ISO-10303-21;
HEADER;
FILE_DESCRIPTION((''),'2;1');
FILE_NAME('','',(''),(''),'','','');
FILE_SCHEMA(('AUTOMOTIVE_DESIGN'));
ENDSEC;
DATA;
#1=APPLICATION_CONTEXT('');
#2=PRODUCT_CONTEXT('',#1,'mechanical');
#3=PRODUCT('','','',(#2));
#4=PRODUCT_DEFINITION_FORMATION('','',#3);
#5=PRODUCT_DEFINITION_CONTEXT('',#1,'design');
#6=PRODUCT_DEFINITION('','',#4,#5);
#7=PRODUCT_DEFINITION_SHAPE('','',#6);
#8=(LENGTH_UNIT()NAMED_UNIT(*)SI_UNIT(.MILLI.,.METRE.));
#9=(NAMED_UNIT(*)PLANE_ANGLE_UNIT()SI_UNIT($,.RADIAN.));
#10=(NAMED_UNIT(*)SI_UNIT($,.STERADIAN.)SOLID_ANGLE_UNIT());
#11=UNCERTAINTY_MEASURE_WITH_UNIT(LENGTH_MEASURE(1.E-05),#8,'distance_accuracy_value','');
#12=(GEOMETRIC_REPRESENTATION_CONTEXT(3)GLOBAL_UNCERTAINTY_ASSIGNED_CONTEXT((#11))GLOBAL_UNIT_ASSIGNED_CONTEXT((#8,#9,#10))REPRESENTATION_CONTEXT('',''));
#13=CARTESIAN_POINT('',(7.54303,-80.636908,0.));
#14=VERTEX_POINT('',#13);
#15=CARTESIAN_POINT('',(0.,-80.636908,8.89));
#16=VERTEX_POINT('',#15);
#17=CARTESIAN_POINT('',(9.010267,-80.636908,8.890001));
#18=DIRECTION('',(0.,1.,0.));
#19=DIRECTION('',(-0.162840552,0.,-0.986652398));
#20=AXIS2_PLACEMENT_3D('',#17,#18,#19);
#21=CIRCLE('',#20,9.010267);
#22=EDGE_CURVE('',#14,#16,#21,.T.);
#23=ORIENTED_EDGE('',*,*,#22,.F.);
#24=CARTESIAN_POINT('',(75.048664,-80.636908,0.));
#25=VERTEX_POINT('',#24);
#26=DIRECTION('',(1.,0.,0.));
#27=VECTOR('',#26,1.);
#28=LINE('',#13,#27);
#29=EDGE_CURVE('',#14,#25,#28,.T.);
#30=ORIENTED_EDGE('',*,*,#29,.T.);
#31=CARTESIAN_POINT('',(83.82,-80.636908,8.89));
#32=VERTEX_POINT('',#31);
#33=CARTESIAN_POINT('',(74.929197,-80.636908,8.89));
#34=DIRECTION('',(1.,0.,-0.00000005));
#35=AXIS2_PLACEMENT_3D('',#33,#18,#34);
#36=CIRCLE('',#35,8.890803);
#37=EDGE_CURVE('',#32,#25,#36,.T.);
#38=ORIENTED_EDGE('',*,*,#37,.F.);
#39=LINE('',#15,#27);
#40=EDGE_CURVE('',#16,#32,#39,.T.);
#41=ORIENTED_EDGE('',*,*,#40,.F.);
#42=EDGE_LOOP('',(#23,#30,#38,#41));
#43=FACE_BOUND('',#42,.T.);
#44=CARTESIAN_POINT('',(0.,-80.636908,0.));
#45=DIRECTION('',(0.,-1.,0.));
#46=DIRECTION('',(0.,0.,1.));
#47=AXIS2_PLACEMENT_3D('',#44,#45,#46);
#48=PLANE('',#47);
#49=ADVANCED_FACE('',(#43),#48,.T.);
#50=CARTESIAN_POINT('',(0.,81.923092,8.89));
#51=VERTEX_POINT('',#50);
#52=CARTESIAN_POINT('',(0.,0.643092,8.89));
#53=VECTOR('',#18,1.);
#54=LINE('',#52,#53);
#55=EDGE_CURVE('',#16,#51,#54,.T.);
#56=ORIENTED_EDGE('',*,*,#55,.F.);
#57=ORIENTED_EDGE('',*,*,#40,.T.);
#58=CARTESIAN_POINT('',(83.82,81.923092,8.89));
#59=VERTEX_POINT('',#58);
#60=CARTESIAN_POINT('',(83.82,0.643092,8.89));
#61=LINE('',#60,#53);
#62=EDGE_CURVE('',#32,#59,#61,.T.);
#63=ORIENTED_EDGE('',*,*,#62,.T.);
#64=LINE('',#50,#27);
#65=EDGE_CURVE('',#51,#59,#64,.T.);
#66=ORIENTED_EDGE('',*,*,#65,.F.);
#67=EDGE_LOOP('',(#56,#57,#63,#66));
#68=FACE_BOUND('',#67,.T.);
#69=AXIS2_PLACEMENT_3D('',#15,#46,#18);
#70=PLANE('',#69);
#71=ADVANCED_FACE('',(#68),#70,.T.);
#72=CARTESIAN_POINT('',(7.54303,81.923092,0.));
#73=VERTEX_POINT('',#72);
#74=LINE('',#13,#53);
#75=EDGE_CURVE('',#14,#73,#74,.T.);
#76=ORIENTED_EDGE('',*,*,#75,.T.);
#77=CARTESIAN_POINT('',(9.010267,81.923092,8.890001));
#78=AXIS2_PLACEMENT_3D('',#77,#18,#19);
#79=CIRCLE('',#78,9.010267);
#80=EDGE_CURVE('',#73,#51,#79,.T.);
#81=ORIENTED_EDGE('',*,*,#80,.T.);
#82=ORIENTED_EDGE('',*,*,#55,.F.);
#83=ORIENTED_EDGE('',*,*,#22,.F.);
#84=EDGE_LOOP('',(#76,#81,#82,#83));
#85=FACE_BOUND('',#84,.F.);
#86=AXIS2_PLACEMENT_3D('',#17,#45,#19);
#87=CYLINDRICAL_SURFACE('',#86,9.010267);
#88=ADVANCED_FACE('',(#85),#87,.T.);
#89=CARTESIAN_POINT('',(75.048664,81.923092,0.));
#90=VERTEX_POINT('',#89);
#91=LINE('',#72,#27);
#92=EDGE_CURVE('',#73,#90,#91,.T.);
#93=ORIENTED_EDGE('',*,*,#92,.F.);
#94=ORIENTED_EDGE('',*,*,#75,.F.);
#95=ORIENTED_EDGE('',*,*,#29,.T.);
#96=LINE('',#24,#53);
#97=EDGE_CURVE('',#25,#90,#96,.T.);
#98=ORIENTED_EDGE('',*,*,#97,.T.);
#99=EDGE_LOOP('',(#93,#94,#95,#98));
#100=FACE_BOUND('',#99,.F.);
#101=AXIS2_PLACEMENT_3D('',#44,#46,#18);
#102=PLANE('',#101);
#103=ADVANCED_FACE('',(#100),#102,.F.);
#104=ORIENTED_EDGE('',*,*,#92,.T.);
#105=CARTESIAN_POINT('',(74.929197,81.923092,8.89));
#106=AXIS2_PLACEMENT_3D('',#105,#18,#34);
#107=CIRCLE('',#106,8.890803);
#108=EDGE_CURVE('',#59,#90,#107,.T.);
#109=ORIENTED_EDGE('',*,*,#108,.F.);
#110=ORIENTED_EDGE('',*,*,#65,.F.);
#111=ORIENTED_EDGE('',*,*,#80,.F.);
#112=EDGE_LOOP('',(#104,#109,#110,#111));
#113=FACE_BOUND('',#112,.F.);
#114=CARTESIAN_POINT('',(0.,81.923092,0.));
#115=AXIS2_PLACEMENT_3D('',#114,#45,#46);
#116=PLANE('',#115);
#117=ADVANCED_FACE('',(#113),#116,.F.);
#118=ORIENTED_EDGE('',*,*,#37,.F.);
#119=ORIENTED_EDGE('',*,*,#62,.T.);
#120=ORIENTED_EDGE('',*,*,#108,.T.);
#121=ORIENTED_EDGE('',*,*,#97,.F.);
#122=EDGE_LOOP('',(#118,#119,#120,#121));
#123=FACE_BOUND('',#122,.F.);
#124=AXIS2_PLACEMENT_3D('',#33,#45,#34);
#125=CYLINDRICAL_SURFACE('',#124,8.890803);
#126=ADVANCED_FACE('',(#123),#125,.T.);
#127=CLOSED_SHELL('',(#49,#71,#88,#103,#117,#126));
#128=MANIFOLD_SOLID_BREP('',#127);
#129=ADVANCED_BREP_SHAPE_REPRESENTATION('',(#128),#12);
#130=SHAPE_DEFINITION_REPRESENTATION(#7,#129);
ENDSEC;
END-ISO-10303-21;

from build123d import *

# Parameters (mm, degrees)
F0_W     = 162.56
F0_H     = 8.89
F1_DEPTH = 83.82
F3_DEPTH = 162.56


with BuildPart() as f1:
    # F0 (on Right) → F1 (new body)
    with BuildSketch(Plane.YZ):
        with Locations((0.643092, 4.445)):
            Rectangle(F0_W, F0_H)
    extrude(amount=F1_DEPTH)

    # F2 (on face) → F3 (cut)
    with BuildSketch(Plane.XZ.offset(80.636908)):
        with BuildLine():
            Line((75.048664, 0), (83.82, 0))
            Line((83.82, 0), (83.82, 8.89))
            ThreePointArc((83.82, 8.89), (81.258041, 2.645634), (75.048664, 0))
        make_face()
        with BuildLine():
            ThreePointArc((74.809731, 0), (74.929197, -0.000803), (75.048664, 0))
            Line((75.048664, 0), (74.809731, 0))
        make_face()
        with BuildLine():
            Line((10.4775, 0), (7.54303, 0))
            ThreePointArc((7.54303, 0), (9.010265, -0.120265), (10.4775, 0))
        make_face()
        with BuildLine():
            ThreePointArc((7.54303, 0), (2.139856, 3.060562), (0, 8.89))
            Line((0, 8.89), (0, 0))
            Line((0, 0), (7.54303, 0))
        make_face()
    extrude(amount=-F3_DEPTH, mode=Mode.SUBTRACT)


solid = f1.part
